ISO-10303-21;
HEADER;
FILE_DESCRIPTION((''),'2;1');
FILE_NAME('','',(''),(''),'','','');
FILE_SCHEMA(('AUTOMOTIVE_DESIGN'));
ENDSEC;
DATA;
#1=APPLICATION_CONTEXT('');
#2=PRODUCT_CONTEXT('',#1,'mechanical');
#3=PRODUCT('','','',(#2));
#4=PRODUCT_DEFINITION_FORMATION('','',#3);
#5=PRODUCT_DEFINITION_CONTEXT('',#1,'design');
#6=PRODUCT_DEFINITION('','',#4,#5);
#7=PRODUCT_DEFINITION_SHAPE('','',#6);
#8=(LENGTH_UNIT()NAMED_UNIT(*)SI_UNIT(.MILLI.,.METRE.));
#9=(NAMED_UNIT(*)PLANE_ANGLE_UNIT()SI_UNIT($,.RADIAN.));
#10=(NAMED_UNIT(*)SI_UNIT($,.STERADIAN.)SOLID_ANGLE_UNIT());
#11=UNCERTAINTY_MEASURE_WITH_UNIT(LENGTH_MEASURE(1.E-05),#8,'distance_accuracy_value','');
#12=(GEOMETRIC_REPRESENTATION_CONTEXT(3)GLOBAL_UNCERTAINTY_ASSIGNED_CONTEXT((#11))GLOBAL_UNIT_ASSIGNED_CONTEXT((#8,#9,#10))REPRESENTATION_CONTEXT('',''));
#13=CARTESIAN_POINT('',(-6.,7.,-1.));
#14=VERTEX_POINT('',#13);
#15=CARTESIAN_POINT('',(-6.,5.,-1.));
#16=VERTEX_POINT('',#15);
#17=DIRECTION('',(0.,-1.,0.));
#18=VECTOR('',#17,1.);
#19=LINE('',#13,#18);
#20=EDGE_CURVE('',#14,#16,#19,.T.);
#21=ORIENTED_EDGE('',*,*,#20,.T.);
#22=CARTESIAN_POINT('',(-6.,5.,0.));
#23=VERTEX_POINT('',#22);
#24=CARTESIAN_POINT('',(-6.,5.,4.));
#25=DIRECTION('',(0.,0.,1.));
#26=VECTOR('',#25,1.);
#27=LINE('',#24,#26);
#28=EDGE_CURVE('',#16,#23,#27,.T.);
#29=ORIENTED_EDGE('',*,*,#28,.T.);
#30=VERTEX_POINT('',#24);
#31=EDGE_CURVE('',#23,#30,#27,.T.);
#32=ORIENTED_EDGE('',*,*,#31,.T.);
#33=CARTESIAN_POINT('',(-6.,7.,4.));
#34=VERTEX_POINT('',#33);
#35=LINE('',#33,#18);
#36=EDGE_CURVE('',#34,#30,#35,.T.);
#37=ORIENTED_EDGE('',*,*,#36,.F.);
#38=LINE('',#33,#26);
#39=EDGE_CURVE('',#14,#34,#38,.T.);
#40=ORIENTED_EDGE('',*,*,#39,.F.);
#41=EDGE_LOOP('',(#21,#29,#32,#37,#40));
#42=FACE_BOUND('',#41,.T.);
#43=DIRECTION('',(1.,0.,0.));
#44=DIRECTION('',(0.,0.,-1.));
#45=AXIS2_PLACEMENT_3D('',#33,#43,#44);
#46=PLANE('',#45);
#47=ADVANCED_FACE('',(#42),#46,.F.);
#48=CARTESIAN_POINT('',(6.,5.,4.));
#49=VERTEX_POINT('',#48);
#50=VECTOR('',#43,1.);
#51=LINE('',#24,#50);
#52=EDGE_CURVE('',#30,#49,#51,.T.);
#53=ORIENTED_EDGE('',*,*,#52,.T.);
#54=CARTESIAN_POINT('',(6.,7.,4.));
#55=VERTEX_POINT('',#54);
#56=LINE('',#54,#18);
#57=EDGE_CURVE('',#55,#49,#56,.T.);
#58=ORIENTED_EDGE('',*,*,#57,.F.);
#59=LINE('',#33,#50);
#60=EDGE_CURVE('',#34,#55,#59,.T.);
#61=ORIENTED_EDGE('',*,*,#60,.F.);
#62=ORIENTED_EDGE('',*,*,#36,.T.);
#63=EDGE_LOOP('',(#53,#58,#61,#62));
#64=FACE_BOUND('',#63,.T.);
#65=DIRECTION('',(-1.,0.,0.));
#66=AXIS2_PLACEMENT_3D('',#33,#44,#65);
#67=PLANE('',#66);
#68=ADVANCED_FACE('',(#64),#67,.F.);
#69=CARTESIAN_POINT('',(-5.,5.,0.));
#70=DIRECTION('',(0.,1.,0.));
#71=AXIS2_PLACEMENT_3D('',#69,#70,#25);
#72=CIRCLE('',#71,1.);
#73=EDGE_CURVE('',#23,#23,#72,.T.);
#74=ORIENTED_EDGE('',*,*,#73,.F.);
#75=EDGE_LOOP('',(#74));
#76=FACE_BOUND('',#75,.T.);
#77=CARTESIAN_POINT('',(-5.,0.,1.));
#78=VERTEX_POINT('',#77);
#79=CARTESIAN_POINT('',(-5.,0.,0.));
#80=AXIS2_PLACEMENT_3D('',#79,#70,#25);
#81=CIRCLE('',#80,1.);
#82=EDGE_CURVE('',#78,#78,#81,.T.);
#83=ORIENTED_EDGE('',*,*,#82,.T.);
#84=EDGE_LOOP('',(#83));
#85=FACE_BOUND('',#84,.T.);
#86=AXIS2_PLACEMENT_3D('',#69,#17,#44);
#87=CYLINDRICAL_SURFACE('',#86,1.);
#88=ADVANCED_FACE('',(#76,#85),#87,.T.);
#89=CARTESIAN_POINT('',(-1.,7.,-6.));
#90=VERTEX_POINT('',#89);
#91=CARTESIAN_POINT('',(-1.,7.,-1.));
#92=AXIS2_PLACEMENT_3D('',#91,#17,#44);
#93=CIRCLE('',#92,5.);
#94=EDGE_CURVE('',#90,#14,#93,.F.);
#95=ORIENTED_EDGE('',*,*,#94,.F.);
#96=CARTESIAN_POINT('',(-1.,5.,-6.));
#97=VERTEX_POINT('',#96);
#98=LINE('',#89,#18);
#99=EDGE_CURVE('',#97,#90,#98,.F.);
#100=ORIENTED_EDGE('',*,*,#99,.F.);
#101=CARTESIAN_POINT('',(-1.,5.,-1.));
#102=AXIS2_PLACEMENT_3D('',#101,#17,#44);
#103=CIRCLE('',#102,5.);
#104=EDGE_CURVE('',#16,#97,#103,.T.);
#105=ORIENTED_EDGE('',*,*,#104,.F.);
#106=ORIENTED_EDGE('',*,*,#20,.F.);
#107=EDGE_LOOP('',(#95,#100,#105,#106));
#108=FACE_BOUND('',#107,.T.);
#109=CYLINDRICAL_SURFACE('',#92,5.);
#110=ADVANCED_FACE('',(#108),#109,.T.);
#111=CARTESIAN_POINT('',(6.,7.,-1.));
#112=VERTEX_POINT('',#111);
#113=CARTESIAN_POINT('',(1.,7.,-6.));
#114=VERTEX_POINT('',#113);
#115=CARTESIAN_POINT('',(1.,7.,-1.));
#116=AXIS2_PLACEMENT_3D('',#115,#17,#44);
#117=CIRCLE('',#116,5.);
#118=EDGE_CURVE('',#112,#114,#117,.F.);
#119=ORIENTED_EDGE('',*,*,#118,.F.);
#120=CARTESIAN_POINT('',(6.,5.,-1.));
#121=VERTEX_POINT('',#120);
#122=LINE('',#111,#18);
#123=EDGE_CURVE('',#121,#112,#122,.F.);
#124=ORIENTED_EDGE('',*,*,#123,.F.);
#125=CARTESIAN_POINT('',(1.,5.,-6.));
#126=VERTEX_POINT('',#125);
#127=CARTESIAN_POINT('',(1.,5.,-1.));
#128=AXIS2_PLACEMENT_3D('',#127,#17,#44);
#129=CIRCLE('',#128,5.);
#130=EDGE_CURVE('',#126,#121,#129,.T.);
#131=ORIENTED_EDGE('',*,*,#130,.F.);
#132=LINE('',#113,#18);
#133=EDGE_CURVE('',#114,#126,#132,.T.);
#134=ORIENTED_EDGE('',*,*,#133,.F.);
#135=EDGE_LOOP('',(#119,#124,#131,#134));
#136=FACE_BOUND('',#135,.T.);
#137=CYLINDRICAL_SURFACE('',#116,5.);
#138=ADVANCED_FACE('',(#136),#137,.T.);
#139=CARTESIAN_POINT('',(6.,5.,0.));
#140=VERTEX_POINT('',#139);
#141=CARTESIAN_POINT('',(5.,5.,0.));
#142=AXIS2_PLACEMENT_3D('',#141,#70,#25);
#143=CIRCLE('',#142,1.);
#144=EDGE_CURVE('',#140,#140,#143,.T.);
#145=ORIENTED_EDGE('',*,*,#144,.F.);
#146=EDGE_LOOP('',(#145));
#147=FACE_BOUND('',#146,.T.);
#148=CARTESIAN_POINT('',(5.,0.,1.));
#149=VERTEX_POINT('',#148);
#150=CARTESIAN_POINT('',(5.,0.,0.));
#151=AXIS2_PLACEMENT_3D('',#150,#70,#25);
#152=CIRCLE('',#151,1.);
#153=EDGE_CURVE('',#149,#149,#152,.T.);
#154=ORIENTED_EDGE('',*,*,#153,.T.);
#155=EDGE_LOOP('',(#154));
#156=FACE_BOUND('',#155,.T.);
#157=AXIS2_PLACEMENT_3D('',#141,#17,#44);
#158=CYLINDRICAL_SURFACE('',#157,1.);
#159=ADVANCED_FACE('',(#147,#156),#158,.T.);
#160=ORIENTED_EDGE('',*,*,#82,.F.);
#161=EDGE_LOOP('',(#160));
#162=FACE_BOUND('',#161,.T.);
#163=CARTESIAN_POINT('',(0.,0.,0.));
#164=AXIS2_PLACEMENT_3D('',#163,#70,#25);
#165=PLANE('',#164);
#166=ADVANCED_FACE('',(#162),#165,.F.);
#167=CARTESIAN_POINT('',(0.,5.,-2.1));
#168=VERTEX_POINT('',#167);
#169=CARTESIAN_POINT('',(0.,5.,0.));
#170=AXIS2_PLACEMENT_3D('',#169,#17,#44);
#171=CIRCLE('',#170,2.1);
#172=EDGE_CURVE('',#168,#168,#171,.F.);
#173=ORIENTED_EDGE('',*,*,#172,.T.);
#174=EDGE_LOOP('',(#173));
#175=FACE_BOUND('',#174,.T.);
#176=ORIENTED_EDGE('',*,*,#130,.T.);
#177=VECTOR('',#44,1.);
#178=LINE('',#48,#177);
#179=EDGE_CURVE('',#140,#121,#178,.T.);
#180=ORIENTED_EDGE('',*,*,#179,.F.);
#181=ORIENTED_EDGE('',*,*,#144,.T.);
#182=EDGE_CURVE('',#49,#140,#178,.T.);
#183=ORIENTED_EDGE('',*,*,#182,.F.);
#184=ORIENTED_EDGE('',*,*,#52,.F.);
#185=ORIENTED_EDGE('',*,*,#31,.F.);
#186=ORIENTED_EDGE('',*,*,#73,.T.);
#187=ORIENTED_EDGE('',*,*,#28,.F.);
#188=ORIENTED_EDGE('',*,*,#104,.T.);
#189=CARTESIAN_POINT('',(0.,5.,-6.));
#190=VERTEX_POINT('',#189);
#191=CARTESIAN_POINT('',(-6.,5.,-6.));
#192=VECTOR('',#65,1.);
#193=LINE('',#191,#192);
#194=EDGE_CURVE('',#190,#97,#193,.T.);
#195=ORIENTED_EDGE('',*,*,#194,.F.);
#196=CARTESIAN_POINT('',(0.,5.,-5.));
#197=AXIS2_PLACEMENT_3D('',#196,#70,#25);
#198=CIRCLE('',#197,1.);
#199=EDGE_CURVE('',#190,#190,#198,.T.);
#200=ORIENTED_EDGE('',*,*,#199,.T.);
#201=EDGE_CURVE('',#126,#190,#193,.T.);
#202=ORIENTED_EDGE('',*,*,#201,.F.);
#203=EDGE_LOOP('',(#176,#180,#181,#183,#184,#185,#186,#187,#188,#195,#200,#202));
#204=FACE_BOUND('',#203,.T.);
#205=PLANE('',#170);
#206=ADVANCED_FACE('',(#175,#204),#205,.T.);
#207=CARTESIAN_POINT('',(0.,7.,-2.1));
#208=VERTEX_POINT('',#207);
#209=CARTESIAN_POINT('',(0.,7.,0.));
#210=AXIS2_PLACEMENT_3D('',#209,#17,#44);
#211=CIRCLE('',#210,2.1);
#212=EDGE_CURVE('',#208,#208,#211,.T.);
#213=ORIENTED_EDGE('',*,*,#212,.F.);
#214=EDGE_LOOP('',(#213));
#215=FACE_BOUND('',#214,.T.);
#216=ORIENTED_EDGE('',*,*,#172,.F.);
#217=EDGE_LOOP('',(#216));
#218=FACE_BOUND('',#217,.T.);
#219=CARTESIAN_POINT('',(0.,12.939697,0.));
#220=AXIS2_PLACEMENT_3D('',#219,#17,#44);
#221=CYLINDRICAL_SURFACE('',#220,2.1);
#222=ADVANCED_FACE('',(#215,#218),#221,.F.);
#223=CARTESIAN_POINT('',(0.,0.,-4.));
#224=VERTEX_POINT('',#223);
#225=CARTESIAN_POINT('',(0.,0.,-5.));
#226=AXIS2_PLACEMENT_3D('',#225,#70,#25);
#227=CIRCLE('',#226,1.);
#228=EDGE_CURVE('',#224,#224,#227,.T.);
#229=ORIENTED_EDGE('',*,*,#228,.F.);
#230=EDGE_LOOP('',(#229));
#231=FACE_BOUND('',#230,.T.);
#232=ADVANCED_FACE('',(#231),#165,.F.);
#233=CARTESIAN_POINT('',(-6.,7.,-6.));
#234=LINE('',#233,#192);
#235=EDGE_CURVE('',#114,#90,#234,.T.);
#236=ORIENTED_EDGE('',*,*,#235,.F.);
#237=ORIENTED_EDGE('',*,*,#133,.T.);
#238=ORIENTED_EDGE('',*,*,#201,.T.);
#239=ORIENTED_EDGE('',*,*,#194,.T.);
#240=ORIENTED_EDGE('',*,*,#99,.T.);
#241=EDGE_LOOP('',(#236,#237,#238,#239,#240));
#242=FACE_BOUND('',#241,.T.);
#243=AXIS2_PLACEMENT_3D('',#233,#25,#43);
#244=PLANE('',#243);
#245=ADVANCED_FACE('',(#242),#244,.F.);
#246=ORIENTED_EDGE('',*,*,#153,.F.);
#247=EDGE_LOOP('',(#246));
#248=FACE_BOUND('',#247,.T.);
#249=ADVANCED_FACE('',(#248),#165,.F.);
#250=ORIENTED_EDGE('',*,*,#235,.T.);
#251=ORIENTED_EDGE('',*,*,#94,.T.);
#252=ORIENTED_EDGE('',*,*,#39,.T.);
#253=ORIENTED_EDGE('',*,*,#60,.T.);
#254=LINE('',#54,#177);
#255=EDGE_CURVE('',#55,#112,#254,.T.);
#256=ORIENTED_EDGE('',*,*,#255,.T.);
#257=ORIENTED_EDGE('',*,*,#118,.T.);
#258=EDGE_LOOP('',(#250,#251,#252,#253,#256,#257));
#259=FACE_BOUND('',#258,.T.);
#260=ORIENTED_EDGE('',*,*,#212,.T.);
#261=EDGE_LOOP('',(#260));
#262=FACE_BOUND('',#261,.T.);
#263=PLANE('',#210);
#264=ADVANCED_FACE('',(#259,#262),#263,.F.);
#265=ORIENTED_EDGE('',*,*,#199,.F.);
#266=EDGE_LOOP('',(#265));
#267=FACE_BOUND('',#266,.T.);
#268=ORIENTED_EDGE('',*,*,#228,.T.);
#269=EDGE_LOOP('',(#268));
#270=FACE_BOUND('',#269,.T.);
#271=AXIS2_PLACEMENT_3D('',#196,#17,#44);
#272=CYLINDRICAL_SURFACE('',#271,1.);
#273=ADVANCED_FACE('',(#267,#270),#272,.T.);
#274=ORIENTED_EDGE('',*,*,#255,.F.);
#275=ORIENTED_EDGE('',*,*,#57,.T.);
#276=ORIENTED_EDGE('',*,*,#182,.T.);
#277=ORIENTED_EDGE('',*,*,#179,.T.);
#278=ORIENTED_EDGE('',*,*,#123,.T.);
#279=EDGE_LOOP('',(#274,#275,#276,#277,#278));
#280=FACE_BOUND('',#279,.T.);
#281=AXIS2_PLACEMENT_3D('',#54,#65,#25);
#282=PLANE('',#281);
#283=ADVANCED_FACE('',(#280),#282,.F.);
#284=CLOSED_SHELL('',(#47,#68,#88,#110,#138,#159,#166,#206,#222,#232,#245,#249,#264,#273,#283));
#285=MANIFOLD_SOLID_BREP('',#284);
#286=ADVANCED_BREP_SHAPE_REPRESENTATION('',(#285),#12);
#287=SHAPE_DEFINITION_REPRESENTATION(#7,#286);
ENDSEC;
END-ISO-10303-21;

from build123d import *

# Parameters (mm, degrees)
SKETCH_1_R          = 1
EXTRUDE_1_DEPTH     = 5
EXTRUDE_1_2_DEPTH   = 5
EXTRUDE_1_3_DEPTH   = 5
SKETCH_2_W          = 12
SKETCH_2_H          = 10
EXTRUDE_6_DEPTH     = 2
SKETCH_1_6_R        = 2.1
CUT_EXTRUDE_2_DEPTH = 7
FILLET_1_R          = 5


with BuildPart() as part:
    # 草图1 → 凸台-拉伸1 (new body)
    with BuildSketch(Plane(origin=(0, 0, 0), x_dir=(1, 0, 0), z_dir=(0, 1, 0))):
        with Locations(Location((-5, 0, 0), (0, 0, 270))):
            Circle(SKETCH_1_R)
    extrude(amount=EXTRUDE_1_DEPTH)



with BuildPart() as body_2:
    # 草图1 → Extrude 1 2 (new body)
    with BuildSketch(Plane(origin=(0, 0, 0), x_dir=(1, 0, 0), z_dir=(0, 1, 0))):
        with Locations(Location((0, 5, 0), (0, 0, 270))):
            Circle(SKETCH_1_R)
    extrude(amount=EXTRUDE_1_2_DEPTH)


with BuildPart() as body_3:
    # 草图1 → Extrude 1 3 (new body)
    with BuildSketch(Plane(origin=(0, 0, 0), x_dir=(1, 0, 0), z_dir=(0, 1, 0))):
        with Locations(Location((5, 0, 0), (0, 0, 270))):
            Circle(SKETCH_1_R)
    extrude(amount=EXTRUDE_1_3_DEPTH)


with BuildPart() as part_1:
    add(part.part)

    add(body_2.part)  # 凸台-拉伸6 merges body 2

    add(body_3.part)  # 凸台-拉伸6 merges body 3
    # 草图2 → 凸台-拉伸6 (add)
    with BuildSketch(Plane(origin=(0, 5, 0), x_dir=(1, 0, 0), z_dir=(0, 1, 0))):
        with Locations((0, 1)):
            Rectangle(SKETCH_2_W, SKETCH_2_H)
    extrude(amount=EXTRUDE_6_DEPTH)

    # 草图1<6> → 切除-拉伸2 (cut)
    with BuildSketch(Plane(origin=(0, 0, 0), x_dir=(1, 0, 0), z_dir=(0, 1, 0))):
        with Locations(Location((0, 0, 0), (0, 0, 90))):
            Circle(SKETCH_1_6_R)
    extrude(amount=CUT_EXTRUDE_2_DEPTH, mode=Mode.SUBTRACT)

    # 圆角1
    fillet_1_edges = [part_1.edges().sort_by_distance(p)[0] for p in [
        (-6, 6, -6),
        (6, 6, -6),
    ]]
    fillet(fillet_1_edges, radius=FILLET_1_R)


solid = part_1.part
